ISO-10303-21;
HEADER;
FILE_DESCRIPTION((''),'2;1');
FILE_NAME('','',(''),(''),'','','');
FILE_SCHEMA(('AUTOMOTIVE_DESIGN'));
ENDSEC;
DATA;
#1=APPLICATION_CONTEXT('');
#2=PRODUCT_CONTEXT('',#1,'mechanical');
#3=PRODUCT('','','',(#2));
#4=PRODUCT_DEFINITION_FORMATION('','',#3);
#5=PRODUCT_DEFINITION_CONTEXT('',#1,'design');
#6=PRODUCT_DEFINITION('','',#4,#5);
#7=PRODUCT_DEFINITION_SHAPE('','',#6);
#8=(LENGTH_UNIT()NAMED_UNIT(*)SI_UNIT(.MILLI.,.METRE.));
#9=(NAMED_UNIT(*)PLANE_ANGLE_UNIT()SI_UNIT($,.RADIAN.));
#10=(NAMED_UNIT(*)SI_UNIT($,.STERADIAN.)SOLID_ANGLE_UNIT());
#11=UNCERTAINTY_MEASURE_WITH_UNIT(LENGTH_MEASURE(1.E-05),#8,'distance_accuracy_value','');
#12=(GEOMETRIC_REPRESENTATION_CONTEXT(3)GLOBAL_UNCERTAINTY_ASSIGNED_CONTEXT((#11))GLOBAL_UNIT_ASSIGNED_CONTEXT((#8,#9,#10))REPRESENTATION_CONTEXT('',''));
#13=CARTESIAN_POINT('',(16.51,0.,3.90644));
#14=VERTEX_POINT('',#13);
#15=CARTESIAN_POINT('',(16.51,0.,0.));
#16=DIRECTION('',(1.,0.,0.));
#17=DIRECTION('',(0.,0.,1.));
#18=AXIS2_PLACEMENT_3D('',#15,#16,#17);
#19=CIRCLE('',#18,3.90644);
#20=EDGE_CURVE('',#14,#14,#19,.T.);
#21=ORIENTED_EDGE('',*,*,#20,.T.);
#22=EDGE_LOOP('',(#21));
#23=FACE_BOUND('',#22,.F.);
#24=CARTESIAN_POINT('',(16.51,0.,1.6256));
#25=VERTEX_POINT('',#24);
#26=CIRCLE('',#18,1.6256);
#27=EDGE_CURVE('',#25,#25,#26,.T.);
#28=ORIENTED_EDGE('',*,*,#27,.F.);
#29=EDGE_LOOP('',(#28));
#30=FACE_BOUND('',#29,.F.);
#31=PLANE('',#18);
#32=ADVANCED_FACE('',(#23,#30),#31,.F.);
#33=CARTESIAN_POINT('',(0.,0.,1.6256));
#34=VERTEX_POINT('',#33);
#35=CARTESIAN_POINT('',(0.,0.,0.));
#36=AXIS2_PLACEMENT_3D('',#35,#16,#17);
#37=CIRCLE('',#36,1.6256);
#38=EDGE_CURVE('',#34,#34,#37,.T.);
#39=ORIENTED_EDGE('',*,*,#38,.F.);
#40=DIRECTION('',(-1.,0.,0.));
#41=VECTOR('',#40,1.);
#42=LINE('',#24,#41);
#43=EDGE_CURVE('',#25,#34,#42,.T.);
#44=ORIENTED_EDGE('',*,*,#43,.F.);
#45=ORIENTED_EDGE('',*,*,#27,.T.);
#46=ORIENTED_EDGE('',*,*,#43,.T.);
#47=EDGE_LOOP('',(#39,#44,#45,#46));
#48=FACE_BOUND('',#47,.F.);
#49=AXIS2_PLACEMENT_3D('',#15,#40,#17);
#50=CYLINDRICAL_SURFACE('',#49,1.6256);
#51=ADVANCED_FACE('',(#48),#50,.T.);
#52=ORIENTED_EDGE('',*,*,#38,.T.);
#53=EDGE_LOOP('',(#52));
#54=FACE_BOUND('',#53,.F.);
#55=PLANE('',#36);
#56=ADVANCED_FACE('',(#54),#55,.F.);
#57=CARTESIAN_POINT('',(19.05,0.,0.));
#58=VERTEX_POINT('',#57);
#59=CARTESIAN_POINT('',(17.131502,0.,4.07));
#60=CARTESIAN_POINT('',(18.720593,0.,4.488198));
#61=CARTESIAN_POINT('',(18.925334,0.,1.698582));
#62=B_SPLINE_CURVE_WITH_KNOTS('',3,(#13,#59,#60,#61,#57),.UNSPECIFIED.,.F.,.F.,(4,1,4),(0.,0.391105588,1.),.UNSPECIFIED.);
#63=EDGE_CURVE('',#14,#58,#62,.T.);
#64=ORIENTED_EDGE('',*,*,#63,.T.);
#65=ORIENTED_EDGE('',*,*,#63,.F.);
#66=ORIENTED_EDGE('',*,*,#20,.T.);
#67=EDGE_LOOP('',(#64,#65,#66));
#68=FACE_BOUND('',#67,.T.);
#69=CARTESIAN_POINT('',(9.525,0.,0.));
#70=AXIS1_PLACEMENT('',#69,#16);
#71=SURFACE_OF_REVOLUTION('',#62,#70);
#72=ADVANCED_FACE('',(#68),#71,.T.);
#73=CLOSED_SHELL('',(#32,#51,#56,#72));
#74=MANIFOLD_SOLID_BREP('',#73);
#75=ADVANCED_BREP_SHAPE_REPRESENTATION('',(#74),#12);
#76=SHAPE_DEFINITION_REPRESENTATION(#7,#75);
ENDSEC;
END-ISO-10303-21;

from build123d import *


with BuildPart() as f1:
    # F0 (on Front) → F1 (revolve)
    with BuildSketch(Plane.XZ):
        with BuildLine():
            Line((0, 1.6256), (0, 0))
            Line((0, 0), (19.05, 0))
            add(Edge.make_bspline(
                [(16.51, 3.9064404555), (17.1315021919, 4.0700000449), (18.7205927373, 4.4881980829), (18.9253341176, 1.6985817793), (19.05, 0)],
                knots=[0, 0, 0, 0, 0.3911055879, 1, 1, 1, 1], degree=3))
            Line((16.51, 3.9064404555), (16.51, 1.6256))
            Line((16.51, 1.6256), (0, 1.6256))
        make_face()
    revolve(axis=Axis((9.525, 0, 0), (1, 0, 0)))


solid = f1.part
